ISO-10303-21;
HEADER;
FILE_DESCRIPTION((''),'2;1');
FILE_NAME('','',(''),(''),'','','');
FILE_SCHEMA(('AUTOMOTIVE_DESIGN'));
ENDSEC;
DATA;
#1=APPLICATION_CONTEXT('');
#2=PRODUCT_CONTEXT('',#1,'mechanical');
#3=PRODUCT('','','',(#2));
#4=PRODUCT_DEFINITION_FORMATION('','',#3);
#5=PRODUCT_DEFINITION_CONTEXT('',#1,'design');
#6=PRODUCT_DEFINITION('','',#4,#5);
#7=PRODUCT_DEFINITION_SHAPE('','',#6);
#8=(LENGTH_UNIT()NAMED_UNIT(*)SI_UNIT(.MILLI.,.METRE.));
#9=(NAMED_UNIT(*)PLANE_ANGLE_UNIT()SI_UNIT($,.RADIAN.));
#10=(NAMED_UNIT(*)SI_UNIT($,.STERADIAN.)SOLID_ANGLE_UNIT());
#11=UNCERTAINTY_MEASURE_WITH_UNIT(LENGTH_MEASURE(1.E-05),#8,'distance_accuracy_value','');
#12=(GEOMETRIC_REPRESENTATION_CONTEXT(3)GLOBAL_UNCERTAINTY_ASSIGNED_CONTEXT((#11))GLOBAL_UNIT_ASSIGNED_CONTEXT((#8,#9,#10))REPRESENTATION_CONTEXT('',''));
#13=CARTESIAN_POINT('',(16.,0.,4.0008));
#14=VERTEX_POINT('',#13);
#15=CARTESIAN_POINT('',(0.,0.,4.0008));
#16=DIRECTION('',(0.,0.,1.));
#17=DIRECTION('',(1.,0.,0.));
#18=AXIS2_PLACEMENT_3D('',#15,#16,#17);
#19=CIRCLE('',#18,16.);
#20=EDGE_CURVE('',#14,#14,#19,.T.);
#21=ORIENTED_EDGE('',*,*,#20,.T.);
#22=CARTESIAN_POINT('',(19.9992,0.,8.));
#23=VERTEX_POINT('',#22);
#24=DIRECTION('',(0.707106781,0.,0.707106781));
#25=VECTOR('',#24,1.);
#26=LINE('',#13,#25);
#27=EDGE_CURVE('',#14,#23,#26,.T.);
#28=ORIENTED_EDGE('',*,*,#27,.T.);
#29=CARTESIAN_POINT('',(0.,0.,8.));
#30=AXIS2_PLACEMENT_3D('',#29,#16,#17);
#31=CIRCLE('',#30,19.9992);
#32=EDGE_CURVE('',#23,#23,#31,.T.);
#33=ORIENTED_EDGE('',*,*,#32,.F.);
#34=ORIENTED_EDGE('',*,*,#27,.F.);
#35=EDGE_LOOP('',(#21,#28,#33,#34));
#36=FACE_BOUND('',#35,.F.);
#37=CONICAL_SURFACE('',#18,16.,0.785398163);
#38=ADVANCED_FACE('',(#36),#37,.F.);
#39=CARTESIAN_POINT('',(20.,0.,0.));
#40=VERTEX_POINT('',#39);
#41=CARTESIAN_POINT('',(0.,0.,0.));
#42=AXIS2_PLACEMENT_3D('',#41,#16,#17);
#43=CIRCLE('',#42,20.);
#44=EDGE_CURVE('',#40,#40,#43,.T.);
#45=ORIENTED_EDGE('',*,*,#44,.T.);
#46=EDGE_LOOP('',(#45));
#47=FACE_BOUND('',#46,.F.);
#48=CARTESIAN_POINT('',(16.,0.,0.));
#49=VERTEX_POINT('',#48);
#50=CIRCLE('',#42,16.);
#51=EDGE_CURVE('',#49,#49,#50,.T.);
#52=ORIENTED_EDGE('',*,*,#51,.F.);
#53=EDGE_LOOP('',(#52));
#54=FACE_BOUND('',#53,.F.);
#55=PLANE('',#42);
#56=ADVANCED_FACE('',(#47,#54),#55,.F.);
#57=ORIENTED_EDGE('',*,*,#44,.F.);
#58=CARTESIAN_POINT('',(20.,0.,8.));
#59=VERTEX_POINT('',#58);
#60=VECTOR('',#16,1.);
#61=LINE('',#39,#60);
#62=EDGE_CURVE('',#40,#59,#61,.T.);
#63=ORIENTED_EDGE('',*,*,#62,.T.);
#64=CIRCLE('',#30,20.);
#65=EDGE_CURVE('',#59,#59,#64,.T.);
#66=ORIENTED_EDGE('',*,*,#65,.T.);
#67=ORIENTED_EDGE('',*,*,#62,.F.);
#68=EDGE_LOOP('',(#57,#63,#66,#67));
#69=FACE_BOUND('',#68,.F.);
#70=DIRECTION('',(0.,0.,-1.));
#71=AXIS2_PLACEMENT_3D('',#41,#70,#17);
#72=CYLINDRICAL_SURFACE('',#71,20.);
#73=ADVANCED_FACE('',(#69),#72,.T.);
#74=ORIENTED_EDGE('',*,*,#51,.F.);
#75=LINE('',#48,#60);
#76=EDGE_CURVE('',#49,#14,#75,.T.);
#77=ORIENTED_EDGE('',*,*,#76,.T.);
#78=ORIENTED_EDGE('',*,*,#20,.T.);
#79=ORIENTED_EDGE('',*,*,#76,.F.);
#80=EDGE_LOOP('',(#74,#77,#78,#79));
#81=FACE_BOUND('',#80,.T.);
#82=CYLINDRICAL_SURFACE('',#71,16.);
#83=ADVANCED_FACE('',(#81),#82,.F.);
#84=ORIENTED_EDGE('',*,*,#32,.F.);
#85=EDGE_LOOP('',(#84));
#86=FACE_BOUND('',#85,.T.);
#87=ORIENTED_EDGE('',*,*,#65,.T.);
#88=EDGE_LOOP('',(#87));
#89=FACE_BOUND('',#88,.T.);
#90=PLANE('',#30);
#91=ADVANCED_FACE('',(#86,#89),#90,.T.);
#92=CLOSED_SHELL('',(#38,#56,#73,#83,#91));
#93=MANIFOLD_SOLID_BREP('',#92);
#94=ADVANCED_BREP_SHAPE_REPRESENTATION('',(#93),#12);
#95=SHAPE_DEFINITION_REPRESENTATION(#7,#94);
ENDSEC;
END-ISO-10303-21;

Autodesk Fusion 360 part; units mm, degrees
sketch "Sketch1" plane through (0, 0, 0) normal (0, 0, 1) x (1, 0, 0)
  circle A0 centre (0, 0) radius 20
  circle A1 centre (0, 0) radius 16
  dimension "d1" = 40
  dimension "d2" = 32
extrude "Extrude1" add sketch "Sketch1" along normal blind 8
chamfer "Chamfer1" distance 4 angle 45 1 edges at (-14.9172, 5.7858, 8)
